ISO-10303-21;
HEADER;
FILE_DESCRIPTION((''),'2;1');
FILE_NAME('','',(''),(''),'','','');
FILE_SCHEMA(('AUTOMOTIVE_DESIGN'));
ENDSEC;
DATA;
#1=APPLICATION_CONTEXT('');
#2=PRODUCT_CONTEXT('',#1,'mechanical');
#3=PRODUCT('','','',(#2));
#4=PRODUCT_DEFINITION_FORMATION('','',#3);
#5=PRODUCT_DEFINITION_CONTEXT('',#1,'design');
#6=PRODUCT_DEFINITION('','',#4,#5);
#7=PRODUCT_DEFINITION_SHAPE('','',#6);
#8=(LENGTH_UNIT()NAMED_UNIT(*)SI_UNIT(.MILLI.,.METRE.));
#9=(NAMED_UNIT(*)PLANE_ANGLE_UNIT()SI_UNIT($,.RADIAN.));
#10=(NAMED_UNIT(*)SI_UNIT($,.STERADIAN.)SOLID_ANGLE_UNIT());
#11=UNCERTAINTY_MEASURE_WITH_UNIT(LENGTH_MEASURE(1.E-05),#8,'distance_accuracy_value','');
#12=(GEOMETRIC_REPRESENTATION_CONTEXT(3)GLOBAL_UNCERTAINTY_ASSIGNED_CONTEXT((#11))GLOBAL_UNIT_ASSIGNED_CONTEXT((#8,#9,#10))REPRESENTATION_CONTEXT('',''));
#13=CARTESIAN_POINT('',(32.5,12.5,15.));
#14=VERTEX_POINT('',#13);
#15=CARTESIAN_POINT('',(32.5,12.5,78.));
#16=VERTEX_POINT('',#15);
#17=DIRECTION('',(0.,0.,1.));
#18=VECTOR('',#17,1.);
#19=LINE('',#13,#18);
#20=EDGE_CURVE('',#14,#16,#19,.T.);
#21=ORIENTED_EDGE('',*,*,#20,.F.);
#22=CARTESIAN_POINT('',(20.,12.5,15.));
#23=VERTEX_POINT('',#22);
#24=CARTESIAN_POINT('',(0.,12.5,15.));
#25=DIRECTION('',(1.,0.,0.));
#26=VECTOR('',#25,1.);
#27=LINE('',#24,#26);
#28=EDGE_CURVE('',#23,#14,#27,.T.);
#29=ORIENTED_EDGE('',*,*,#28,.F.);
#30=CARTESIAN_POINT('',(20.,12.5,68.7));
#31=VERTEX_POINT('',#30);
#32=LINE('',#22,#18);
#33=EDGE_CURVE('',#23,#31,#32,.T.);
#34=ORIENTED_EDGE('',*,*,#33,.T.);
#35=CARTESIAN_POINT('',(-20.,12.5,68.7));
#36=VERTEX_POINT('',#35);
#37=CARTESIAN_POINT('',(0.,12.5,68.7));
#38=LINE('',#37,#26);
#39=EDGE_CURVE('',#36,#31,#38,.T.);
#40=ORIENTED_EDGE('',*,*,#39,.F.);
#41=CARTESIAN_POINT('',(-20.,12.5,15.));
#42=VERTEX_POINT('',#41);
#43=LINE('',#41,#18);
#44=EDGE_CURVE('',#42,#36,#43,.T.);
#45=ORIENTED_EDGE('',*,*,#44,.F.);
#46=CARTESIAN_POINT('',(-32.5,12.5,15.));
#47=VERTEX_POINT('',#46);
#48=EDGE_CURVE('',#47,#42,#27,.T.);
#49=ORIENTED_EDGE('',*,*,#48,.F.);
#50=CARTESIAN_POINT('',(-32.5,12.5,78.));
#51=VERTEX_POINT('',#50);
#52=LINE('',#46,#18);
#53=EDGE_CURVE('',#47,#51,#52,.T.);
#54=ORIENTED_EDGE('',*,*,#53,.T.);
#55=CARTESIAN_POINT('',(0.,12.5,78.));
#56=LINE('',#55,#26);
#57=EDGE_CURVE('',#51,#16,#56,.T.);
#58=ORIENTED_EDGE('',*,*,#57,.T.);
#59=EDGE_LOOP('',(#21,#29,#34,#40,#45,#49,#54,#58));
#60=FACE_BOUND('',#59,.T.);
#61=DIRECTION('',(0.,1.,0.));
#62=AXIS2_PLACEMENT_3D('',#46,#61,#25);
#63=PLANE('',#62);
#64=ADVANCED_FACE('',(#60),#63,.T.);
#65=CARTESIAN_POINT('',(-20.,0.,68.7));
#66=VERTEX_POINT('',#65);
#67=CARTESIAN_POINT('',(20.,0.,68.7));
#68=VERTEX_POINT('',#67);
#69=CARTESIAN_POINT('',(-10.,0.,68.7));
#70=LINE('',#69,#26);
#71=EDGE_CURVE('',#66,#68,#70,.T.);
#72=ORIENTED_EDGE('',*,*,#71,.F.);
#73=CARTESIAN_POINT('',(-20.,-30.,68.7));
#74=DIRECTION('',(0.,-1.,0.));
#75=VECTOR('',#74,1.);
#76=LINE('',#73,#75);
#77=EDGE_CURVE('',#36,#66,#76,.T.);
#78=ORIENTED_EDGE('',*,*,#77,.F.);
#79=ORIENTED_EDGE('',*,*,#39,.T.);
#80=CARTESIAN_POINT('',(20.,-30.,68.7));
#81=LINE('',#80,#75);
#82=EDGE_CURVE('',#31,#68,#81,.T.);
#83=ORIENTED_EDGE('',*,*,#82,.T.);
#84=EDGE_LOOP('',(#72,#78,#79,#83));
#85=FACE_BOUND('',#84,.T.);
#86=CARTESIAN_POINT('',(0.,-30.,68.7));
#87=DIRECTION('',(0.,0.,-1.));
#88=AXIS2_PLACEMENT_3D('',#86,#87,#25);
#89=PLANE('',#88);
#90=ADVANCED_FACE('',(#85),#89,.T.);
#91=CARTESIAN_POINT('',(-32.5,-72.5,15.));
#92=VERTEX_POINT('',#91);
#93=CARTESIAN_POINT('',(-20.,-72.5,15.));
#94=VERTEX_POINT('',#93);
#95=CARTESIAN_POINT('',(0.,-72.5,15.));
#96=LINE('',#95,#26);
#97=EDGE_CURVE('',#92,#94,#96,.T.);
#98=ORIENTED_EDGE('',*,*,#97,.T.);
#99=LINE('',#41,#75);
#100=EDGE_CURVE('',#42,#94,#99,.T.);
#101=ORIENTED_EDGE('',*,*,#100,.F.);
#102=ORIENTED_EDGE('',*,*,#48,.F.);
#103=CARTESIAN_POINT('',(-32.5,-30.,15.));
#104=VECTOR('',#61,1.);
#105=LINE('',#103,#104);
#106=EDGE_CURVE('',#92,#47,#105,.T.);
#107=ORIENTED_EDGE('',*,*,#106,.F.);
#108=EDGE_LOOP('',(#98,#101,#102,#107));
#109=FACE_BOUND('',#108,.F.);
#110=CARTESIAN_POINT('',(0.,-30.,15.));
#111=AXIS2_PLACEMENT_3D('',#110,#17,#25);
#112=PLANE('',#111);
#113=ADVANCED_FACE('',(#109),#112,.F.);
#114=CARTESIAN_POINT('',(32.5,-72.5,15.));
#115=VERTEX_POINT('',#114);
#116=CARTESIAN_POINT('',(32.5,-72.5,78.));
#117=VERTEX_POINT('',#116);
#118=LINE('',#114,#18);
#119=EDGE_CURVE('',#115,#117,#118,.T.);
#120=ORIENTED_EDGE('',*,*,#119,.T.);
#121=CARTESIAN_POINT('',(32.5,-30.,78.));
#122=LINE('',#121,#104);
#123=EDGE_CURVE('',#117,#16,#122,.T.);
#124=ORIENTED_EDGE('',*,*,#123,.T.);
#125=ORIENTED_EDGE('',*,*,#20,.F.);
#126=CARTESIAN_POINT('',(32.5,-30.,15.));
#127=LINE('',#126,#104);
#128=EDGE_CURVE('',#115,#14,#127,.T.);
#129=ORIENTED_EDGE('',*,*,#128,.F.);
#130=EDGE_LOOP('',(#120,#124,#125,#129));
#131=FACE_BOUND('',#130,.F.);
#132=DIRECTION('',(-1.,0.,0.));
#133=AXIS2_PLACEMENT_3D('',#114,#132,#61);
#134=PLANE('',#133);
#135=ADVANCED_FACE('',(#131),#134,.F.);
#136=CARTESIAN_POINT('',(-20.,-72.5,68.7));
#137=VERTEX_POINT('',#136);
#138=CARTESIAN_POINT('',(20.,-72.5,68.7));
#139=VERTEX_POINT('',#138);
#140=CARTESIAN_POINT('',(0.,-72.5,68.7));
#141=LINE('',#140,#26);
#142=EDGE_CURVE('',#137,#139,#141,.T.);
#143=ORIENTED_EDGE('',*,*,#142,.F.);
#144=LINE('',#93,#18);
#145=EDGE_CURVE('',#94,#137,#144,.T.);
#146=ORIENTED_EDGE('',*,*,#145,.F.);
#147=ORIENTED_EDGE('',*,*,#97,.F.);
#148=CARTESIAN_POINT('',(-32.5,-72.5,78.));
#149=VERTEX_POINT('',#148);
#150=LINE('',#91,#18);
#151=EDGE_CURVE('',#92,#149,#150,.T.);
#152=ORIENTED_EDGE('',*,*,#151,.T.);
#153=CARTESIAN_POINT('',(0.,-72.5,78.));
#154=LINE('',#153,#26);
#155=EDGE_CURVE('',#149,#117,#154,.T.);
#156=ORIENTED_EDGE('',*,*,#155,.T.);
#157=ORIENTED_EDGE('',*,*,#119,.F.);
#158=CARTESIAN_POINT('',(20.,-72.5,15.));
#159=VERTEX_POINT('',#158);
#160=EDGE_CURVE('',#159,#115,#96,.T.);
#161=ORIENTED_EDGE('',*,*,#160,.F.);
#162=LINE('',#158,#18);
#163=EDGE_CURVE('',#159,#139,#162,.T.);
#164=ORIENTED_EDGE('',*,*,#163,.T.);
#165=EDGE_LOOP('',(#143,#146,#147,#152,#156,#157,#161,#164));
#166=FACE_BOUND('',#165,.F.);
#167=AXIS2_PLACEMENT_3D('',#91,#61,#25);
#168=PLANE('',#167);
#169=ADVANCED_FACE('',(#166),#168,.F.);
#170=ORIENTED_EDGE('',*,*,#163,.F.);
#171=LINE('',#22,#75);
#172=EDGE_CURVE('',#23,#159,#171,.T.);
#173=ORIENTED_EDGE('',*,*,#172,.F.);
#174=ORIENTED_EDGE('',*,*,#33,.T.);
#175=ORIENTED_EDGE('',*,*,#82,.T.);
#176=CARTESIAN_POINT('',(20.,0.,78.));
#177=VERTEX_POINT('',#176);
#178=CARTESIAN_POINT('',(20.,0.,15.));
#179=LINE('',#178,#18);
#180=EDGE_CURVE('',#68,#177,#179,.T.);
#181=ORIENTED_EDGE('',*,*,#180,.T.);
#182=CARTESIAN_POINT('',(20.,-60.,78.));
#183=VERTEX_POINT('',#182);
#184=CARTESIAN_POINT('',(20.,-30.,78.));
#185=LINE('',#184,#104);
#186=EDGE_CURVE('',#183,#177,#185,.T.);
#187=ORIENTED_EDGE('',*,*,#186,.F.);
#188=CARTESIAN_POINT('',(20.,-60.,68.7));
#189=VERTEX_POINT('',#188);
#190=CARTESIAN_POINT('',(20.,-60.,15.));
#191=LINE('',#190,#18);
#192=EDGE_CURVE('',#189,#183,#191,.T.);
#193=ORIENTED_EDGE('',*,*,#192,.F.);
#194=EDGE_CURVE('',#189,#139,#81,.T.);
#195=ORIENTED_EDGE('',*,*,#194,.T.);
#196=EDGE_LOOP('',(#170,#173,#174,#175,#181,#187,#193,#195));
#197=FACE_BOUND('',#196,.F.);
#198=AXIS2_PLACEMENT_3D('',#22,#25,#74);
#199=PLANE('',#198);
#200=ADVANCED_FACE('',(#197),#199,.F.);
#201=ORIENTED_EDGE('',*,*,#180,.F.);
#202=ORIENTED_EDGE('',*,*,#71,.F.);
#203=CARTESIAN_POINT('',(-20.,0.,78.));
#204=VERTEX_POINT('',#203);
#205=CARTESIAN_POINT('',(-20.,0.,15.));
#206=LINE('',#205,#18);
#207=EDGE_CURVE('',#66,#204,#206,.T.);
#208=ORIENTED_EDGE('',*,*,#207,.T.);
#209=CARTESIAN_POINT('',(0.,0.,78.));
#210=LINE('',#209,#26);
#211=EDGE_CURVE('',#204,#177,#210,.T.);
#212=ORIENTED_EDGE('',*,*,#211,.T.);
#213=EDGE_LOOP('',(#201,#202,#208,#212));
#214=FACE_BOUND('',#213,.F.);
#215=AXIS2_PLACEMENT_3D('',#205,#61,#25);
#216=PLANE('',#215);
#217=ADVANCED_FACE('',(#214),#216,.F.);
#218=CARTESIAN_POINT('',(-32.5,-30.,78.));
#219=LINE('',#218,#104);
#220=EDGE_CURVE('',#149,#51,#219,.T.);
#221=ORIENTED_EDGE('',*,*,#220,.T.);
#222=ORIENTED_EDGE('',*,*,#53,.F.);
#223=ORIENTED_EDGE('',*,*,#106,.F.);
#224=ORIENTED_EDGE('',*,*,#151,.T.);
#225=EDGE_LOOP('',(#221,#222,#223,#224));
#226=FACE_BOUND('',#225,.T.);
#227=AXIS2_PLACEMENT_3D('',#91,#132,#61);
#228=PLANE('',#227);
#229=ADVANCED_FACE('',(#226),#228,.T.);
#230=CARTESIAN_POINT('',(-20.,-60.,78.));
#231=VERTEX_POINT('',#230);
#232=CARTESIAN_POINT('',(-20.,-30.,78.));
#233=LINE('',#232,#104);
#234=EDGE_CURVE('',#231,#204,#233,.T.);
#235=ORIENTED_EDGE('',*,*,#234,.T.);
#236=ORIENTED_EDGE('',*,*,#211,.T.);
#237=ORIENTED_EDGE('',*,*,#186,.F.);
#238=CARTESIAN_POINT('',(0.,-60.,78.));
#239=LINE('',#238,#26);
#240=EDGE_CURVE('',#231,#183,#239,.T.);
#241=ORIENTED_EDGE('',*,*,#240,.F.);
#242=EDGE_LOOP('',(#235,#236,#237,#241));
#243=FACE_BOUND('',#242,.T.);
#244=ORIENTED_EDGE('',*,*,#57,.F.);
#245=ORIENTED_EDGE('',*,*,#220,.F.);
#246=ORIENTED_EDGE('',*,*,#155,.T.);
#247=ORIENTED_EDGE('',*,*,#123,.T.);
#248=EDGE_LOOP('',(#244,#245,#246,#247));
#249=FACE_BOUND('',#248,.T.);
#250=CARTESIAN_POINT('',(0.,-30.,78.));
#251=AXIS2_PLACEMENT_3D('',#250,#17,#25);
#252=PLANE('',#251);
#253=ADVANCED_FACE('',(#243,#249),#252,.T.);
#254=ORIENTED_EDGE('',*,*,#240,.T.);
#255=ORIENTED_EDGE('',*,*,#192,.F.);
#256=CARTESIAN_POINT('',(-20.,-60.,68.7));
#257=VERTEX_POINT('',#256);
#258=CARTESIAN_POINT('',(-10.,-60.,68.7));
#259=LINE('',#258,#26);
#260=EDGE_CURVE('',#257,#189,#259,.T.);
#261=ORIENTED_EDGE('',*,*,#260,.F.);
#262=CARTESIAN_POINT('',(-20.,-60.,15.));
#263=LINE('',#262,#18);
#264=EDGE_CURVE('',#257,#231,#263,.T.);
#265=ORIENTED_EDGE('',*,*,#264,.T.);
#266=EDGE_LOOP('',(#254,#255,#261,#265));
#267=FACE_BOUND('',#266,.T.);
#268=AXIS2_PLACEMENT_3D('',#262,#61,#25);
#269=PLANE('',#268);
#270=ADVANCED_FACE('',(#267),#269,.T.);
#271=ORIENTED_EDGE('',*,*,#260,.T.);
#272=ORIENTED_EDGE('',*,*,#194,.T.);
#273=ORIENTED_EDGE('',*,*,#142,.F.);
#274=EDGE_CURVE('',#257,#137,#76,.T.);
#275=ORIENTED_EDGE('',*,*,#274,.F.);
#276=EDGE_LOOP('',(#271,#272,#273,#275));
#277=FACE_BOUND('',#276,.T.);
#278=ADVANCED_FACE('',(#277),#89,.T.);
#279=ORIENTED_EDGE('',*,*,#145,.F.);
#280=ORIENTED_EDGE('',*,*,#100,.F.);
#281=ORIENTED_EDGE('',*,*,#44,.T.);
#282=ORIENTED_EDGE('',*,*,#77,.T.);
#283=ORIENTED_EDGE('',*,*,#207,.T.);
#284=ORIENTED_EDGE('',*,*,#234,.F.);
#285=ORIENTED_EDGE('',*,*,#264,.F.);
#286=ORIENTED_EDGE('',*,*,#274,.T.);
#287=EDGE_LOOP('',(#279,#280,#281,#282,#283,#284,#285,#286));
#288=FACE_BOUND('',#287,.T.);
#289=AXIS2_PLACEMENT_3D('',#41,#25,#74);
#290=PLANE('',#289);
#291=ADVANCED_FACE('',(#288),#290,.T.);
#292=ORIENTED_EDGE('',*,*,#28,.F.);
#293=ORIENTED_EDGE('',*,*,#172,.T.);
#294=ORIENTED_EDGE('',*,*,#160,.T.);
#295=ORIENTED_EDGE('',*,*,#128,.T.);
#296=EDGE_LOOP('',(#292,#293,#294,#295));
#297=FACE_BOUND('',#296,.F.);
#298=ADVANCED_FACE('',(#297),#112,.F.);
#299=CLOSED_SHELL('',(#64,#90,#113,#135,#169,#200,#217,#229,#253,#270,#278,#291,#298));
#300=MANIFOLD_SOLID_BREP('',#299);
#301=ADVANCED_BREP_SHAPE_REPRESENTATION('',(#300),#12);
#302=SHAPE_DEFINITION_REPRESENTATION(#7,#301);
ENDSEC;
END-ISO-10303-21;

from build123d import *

# Parameters (mm, degrees)
SKETCH021_W     = 65
SKETCH021_H     = 85
PAD015_DEPTH    = 63
SKETCH022_W     = 40
SKETCH022_H     = 85
POCKET009_DEPTH = 53.7
SKETCH024_W     = 40
SKETCH024_H     = 60
POCKET010_DEPTH = 63


with BuildPart() as part:
    # Sketch021 → Pad015 (new body)
    with BuildSketch(Plane.XY):
        with Locations((0, -30)):
            Rectangle(SKETCH021_W, SKETCH021_H)
    extrude(amount=PAD015_DEPTH)

    # Sketch022 (on Face5 of Pad015) → Pocket009 (cut)
    with BuildSketch(Plane(origin=(0, 0, 0), x_dir=(1, 0, 0), z_dir=(0, 0, -1))):
        with Locations((0, 30)):
            Rectangle(SKETCH022_W, SKETCH022_H)
    extrude(amount=-POCKET009_DEPTH, mode=Mode.SUBTRACT)

    # Sketch024 → Pocket010 (cut)
    with BuildSketch(Plane.XY):
        with Locations((0, -30)):
            Rectangle(SKETCH024_W, SKETCH024_H)
    extrude(amount=POCKET010_DEPTH, mode=Mode.SUBTRACT)


with BuildPart() as part_1:
    # Body003 placement: moved
    add(part.part.moved(Location((0, 0, 15))))


solid = part_1.part
